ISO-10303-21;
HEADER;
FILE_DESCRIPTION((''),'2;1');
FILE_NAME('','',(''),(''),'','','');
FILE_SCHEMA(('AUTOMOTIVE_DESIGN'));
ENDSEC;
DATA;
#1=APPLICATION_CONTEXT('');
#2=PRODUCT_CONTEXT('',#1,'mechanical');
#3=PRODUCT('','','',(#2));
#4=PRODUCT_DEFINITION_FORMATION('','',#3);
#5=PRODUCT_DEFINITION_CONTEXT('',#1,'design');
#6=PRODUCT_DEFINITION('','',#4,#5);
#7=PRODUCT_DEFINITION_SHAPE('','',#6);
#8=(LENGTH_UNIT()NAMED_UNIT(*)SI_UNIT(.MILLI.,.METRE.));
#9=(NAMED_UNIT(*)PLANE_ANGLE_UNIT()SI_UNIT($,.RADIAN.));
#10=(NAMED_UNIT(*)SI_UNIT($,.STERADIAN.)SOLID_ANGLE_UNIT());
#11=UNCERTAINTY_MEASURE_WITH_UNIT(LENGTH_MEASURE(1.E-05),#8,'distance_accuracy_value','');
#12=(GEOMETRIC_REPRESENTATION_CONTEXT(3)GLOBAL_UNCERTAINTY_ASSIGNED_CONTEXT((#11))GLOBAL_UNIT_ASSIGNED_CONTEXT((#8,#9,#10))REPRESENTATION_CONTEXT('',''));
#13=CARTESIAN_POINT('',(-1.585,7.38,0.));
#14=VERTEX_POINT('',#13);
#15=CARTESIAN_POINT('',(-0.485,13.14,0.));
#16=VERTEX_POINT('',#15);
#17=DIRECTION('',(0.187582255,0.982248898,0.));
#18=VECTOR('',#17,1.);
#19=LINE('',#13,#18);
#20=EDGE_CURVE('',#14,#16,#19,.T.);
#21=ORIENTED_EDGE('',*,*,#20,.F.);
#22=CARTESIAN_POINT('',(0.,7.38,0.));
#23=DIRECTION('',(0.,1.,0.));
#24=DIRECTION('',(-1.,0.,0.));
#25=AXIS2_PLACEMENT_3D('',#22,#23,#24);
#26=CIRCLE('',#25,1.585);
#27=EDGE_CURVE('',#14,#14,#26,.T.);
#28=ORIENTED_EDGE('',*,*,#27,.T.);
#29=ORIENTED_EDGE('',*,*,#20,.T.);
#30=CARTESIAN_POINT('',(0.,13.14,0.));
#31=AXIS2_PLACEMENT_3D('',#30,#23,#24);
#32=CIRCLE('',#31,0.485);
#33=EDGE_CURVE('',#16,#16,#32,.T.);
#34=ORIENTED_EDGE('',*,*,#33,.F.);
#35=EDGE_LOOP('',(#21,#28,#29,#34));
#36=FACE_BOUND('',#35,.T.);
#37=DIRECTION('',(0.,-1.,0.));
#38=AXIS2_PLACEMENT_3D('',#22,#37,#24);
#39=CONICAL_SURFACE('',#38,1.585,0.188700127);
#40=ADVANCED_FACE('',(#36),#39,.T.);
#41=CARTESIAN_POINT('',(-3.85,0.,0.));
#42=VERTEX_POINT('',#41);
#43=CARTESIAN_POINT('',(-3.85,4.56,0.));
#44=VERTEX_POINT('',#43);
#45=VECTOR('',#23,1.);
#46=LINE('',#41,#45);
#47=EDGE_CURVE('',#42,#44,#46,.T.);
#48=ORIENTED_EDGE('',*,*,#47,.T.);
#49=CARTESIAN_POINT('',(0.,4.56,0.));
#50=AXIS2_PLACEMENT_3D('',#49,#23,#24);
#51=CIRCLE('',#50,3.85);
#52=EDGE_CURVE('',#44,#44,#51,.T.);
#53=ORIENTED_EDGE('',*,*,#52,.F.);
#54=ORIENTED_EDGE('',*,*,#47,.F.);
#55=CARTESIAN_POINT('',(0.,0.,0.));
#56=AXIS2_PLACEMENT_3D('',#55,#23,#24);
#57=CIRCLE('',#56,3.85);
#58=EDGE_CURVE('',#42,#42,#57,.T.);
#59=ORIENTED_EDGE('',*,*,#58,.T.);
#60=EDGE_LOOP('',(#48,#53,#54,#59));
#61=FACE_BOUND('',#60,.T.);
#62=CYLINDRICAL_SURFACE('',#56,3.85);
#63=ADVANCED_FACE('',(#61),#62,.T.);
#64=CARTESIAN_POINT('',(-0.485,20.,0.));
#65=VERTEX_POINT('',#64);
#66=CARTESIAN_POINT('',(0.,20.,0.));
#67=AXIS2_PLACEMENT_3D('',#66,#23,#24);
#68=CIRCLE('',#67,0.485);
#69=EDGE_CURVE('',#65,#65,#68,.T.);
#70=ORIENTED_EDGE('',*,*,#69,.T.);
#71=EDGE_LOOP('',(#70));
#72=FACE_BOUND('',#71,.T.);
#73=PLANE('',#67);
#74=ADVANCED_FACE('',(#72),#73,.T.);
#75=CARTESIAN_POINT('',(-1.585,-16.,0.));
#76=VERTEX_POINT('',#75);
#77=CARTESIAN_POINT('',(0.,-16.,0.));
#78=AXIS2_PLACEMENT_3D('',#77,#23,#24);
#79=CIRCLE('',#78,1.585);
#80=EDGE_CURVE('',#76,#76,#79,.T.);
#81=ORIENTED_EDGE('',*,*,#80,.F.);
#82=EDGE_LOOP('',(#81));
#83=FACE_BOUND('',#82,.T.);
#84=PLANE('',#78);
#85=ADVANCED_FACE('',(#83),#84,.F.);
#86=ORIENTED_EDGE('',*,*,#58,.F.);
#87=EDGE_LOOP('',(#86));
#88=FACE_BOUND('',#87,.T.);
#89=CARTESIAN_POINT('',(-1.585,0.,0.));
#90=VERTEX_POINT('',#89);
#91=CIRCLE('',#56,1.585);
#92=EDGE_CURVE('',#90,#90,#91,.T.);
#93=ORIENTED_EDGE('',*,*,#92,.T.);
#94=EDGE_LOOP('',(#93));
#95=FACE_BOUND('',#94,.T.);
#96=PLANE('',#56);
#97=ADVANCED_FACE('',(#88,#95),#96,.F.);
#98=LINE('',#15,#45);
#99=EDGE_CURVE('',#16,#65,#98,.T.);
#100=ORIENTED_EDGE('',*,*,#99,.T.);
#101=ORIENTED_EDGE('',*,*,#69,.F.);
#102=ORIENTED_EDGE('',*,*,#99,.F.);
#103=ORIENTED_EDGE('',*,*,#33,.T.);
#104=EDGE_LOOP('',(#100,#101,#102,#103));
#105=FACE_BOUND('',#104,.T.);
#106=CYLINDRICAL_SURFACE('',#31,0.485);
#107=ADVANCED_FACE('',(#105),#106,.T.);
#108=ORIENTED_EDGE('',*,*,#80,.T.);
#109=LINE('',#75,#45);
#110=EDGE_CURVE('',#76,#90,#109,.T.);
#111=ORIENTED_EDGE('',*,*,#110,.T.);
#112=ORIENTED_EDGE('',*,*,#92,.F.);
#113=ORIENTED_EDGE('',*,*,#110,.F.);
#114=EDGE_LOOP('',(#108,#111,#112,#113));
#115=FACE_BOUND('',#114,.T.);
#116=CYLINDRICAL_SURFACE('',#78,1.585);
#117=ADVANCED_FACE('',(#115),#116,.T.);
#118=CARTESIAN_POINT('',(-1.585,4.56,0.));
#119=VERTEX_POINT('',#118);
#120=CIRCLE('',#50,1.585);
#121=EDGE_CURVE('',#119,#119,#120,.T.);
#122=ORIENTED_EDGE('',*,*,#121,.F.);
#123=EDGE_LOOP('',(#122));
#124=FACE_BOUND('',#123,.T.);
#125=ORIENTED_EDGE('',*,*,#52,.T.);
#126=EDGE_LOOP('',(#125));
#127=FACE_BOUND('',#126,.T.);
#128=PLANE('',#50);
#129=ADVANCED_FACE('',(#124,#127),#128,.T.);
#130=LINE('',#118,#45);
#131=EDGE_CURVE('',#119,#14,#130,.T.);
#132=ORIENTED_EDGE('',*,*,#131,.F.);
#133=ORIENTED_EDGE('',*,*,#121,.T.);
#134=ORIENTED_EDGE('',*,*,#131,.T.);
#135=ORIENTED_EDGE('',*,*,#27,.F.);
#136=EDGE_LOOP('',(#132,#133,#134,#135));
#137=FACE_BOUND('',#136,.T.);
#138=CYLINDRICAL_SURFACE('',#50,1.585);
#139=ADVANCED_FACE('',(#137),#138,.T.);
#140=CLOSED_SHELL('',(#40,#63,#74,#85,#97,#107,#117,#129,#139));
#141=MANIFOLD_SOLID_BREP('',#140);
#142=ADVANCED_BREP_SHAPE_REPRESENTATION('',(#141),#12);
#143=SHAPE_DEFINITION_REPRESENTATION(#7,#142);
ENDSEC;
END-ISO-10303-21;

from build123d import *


with BuildPart() as part:
    # Sketch → Revolution (revolve)
    with BuildSketch(Plane.XY):
        Polygon((-1.585, 0), (-3.85, 0), (-3.85, 4.56), (-1.585, 4.56), (-1.585, 7.38), (-0.485, 13.14), (-0.485, 20), (0, 20), (0, 0), (0, -16), (-1.585, -16), align=None)
    revolve(axis=Axis((0, 0, 0), (0, 1, 0)))


solid = part.part
